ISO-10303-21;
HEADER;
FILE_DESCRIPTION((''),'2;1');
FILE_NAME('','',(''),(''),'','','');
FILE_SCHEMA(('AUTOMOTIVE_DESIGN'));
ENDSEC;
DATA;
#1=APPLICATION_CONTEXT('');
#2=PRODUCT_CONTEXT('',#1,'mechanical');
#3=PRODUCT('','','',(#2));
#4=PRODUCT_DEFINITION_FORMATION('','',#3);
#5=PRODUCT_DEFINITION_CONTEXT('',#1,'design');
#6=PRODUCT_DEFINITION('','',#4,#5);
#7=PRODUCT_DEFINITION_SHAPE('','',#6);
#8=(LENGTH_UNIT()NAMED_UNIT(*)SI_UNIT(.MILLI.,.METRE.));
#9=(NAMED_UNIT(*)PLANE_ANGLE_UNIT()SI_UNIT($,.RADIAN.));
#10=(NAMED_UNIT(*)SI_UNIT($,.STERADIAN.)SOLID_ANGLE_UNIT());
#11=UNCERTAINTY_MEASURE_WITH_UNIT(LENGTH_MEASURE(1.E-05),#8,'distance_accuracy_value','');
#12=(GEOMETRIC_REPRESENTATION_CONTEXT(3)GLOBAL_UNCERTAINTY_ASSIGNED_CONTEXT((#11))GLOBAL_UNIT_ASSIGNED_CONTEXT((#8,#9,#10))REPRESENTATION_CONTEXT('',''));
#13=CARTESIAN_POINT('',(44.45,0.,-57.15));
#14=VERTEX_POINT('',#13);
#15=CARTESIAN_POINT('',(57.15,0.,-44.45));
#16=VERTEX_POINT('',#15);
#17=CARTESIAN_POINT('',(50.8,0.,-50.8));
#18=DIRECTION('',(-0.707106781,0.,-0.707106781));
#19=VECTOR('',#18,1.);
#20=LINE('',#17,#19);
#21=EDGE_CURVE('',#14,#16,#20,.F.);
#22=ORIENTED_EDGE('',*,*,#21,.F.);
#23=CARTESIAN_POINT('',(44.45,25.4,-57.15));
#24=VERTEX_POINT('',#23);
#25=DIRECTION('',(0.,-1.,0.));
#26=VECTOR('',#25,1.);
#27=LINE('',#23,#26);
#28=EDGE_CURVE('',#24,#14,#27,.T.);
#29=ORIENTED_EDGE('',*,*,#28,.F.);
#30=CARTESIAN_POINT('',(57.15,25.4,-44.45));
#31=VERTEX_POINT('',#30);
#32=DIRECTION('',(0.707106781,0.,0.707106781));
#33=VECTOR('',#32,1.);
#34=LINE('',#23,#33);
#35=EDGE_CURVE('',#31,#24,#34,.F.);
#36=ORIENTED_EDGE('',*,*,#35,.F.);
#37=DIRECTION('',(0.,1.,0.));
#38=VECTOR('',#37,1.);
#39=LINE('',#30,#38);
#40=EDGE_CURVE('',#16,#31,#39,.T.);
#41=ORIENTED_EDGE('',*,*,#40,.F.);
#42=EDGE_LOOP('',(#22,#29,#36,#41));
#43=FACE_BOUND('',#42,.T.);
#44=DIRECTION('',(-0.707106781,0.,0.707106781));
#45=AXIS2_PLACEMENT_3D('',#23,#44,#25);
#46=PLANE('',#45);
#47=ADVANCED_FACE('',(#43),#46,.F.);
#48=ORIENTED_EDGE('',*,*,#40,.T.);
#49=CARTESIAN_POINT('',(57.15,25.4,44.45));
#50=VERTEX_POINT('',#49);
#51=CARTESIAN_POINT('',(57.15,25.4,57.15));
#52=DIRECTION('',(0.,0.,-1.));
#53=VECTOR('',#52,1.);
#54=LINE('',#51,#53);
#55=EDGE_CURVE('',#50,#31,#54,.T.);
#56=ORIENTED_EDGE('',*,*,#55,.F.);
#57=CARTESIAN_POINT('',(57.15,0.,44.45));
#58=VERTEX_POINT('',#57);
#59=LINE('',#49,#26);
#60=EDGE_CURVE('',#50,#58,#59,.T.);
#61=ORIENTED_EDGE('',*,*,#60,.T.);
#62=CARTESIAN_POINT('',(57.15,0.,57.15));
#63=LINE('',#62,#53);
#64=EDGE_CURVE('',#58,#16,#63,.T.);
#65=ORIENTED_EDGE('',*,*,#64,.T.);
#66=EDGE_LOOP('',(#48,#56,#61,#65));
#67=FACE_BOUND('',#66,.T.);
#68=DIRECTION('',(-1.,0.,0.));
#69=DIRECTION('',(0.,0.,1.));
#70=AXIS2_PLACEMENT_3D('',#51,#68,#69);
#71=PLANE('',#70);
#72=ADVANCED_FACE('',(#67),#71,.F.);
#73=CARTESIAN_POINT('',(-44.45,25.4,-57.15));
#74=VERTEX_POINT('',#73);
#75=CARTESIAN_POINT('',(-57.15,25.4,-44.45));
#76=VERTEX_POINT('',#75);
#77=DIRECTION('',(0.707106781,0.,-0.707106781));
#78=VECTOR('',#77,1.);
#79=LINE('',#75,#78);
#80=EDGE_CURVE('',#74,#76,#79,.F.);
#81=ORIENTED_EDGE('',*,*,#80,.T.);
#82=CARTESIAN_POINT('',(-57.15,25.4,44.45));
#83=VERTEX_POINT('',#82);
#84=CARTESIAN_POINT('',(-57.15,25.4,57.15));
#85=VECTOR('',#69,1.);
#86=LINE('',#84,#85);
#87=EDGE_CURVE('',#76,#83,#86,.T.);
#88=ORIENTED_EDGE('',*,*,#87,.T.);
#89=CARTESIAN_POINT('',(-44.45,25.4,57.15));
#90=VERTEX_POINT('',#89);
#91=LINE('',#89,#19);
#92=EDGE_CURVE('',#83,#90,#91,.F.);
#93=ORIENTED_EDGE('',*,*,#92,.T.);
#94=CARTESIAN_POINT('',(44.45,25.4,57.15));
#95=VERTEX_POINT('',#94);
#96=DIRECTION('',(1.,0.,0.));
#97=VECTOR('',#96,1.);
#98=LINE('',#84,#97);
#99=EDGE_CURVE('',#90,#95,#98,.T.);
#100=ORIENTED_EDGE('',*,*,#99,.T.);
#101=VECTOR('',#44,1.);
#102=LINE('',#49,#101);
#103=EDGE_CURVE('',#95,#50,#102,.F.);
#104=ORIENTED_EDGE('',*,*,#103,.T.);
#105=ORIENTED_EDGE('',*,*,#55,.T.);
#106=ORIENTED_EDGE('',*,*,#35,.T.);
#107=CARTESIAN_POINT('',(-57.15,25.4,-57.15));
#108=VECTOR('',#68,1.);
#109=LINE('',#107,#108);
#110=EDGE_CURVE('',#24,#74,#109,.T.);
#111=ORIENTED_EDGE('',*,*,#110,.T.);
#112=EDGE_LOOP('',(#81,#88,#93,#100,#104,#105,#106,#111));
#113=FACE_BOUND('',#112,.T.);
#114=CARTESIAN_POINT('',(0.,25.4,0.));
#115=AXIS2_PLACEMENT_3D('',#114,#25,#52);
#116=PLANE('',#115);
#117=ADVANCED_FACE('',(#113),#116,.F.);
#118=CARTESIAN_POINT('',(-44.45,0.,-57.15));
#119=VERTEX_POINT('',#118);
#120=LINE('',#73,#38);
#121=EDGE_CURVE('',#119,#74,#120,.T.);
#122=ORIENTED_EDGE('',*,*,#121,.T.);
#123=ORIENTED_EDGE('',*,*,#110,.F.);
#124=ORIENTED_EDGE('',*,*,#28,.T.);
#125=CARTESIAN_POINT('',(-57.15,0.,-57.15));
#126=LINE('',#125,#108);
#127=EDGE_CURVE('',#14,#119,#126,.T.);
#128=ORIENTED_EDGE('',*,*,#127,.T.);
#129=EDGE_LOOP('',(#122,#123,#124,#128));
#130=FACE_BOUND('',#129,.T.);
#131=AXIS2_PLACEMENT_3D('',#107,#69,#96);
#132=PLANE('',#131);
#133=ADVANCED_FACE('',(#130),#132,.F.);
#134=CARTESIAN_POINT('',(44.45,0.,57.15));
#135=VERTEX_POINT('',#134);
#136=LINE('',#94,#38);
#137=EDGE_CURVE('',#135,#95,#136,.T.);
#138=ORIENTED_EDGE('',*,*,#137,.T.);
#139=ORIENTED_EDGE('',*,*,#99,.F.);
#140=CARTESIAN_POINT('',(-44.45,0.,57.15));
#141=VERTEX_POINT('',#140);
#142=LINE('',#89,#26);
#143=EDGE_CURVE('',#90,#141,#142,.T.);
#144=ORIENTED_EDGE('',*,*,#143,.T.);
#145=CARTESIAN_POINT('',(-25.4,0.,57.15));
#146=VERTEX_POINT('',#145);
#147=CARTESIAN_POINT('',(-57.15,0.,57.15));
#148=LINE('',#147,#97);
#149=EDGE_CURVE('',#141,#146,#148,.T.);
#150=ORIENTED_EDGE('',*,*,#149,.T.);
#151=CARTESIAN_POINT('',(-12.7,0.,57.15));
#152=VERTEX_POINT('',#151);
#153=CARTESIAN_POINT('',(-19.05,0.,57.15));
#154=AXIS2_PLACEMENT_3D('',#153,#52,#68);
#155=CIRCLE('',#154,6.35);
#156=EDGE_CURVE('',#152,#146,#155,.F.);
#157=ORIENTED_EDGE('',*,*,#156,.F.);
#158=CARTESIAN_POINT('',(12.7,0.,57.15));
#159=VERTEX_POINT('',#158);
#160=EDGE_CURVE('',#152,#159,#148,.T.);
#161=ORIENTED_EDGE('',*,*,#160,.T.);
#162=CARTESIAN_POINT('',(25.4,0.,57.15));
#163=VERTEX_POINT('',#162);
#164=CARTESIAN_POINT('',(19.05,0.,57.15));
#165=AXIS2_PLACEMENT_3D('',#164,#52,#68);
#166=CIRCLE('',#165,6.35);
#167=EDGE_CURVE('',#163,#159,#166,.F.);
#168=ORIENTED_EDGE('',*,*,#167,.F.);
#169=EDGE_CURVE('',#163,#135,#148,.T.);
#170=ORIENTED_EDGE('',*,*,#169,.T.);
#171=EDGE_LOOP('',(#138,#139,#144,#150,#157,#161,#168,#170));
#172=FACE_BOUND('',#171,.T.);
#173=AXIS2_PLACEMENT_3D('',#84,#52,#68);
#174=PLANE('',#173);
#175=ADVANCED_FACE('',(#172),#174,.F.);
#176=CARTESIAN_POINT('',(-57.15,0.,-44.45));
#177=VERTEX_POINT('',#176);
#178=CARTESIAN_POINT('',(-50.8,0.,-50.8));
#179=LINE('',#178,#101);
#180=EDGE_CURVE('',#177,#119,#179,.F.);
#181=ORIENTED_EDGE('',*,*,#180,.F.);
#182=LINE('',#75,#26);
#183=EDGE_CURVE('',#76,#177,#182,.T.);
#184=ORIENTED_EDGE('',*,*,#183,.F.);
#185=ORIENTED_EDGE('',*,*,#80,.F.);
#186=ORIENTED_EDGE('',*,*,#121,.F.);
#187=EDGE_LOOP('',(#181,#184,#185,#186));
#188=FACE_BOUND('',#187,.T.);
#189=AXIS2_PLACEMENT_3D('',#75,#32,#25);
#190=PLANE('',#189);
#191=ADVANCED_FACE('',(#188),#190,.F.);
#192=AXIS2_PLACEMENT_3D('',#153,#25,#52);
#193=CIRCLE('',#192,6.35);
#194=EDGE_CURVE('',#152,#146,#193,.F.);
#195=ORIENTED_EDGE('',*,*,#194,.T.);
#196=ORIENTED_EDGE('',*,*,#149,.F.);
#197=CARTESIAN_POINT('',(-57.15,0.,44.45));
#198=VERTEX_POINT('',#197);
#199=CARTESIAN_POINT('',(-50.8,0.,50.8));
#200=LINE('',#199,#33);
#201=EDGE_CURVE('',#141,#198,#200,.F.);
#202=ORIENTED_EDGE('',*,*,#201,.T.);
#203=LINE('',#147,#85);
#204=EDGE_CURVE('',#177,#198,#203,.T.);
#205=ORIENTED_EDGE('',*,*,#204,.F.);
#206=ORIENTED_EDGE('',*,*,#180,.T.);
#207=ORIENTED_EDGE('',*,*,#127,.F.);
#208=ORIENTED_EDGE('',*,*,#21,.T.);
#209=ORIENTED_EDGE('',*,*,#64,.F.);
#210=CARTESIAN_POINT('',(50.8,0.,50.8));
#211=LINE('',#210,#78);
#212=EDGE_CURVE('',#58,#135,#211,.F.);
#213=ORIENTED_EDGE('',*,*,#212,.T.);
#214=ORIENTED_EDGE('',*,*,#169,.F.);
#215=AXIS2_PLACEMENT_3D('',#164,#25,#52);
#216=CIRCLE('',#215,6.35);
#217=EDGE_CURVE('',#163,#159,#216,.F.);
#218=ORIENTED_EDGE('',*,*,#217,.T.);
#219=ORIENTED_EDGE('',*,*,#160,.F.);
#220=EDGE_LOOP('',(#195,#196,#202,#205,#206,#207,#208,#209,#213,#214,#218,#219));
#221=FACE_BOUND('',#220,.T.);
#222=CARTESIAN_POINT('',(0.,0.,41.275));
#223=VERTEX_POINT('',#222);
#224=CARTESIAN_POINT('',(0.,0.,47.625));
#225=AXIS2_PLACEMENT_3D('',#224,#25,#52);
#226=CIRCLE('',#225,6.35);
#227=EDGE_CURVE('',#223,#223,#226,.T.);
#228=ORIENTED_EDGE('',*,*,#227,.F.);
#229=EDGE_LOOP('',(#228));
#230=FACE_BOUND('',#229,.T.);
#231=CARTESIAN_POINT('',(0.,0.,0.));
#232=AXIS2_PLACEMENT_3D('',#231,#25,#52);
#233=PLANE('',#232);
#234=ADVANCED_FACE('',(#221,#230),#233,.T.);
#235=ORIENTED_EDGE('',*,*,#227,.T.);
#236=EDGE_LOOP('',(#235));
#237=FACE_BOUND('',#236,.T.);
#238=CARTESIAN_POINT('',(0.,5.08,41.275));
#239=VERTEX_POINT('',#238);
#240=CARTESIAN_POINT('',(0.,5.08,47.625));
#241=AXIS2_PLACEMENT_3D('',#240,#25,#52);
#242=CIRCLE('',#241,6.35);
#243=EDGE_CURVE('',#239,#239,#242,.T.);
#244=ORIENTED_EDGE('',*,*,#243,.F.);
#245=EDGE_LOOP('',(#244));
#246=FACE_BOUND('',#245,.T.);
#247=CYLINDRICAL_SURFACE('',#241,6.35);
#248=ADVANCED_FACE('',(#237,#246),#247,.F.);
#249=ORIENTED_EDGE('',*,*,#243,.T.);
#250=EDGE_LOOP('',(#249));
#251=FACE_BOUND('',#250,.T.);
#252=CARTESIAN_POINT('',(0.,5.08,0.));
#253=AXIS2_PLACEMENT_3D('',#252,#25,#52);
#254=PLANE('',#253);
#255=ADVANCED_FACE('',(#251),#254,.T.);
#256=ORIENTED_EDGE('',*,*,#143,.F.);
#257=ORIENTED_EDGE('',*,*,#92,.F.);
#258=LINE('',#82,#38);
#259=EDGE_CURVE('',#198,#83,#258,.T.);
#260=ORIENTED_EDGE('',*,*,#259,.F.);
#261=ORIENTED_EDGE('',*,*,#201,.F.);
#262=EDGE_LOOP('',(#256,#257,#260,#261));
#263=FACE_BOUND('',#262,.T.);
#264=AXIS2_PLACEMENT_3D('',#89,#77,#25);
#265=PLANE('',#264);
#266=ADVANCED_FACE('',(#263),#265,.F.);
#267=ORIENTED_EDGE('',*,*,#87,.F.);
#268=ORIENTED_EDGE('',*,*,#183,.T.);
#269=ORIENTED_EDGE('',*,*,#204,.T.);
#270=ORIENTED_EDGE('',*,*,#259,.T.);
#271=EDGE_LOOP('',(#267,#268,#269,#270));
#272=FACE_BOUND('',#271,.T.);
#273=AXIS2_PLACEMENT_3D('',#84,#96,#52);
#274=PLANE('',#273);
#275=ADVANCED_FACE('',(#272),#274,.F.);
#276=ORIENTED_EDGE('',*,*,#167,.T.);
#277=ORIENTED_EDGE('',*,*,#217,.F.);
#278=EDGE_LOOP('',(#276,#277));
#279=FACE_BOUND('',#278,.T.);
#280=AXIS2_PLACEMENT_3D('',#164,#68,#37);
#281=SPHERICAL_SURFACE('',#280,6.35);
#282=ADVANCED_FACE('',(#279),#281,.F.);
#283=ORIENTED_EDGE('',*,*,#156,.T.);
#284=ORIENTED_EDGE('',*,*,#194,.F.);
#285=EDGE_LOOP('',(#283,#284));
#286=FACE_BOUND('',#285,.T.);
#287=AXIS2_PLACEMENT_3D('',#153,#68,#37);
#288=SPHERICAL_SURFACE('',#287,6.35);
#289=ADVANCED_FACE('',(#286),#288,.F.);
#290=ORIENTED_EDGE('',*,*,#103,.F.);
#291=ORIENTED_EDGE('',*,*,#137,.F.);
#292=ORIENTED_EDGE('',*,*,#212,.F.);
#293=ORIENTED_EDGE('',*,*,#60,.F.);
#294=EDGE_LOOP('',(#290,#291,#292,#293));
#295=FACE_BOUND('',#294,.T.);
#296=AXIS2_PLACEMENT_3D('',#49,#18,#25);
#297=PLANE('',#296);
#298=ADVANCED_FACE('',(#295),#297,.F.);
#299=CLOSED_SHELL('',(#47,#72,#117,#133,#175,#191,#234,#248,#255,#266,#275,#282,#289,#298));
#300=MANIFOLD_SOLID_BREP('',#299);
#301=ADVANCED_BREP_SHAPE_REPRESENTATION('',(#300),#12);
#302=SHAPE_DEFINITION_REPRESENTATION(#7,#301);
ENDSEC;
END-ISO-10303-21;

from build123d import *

# Parameters (mm, degrees)
SKETCH1_W           = 114.3
SKETCH1_H           = 114.3
BOSS_EXTRUDE1_DEPTH = 25.4
CHAMFER1_SIZE       = 12.7
SKETCH2_R           = 6.35
CUT_EXTRUDE1_DEPTH  = 5.08


with BuildPart() as part:
    # Sketch1 → Boss-Extrude1 (new body)
    with BuildSketch(Plane(origin=(0, 0, 0), x_dir=(1, 0, 0), z_dir=(0, 1, 0))):
        Rectangle(SKETCH1_W, SKETCH1_H)
    extrude(amount=BOSS_EXTRUDE1_DEPTH)

    # Chamfer1
    chamfer1_edges = [part.edges().sort_by_distance(p)[0] for p in [
        (57.15, 12.7, 57.15),
        (-57.15, 12.7, 57.15),
        (-57.15, 12.7, -57.15),
        (57.15, 12.7, -57.15),
    ]]
    chamfer(chamfer1_edges, length=CHAMFER1_SIZE)

    # Sketch2 → Cut-Extrude1 (cut)
    with BuildSketch(Plane(origin=(0, 0, 0), x_dir=(-1, 0, 0), z_dir=(0, -1, 0))):
        with Locations(Location((0, -47.625, 0), (0, 0, 90))):
            Circle(SKETCH2_R)
    extrude(amount=-CUT_EXTRUDE1_DEPTH, mode=Mode.SUBTRACT)

    # Sketch3 → Cut-Revolve4 (revolve, cut)
    with BuildSketch(Plane.XY.offset(57.15)):
        with BuildLine():
            Line((-25.4, 0), (-12.7, 0))
            ThreePointArc((-12.7, 0), (-19.05, 6.35), (-25.4, 0))
        make_face()
        with BuildLine():
            Line((25.4, 0), (12.7, 0))
            ThreePointArc((12.7, 0), (19.05, 6.35), (25.4, 0))
        make_face()
    revolve(axis=Axis((-57.15, 0, 57.15), (1, 0, 0)), mode=Mode.SUBTRACT)


solid = part.part
